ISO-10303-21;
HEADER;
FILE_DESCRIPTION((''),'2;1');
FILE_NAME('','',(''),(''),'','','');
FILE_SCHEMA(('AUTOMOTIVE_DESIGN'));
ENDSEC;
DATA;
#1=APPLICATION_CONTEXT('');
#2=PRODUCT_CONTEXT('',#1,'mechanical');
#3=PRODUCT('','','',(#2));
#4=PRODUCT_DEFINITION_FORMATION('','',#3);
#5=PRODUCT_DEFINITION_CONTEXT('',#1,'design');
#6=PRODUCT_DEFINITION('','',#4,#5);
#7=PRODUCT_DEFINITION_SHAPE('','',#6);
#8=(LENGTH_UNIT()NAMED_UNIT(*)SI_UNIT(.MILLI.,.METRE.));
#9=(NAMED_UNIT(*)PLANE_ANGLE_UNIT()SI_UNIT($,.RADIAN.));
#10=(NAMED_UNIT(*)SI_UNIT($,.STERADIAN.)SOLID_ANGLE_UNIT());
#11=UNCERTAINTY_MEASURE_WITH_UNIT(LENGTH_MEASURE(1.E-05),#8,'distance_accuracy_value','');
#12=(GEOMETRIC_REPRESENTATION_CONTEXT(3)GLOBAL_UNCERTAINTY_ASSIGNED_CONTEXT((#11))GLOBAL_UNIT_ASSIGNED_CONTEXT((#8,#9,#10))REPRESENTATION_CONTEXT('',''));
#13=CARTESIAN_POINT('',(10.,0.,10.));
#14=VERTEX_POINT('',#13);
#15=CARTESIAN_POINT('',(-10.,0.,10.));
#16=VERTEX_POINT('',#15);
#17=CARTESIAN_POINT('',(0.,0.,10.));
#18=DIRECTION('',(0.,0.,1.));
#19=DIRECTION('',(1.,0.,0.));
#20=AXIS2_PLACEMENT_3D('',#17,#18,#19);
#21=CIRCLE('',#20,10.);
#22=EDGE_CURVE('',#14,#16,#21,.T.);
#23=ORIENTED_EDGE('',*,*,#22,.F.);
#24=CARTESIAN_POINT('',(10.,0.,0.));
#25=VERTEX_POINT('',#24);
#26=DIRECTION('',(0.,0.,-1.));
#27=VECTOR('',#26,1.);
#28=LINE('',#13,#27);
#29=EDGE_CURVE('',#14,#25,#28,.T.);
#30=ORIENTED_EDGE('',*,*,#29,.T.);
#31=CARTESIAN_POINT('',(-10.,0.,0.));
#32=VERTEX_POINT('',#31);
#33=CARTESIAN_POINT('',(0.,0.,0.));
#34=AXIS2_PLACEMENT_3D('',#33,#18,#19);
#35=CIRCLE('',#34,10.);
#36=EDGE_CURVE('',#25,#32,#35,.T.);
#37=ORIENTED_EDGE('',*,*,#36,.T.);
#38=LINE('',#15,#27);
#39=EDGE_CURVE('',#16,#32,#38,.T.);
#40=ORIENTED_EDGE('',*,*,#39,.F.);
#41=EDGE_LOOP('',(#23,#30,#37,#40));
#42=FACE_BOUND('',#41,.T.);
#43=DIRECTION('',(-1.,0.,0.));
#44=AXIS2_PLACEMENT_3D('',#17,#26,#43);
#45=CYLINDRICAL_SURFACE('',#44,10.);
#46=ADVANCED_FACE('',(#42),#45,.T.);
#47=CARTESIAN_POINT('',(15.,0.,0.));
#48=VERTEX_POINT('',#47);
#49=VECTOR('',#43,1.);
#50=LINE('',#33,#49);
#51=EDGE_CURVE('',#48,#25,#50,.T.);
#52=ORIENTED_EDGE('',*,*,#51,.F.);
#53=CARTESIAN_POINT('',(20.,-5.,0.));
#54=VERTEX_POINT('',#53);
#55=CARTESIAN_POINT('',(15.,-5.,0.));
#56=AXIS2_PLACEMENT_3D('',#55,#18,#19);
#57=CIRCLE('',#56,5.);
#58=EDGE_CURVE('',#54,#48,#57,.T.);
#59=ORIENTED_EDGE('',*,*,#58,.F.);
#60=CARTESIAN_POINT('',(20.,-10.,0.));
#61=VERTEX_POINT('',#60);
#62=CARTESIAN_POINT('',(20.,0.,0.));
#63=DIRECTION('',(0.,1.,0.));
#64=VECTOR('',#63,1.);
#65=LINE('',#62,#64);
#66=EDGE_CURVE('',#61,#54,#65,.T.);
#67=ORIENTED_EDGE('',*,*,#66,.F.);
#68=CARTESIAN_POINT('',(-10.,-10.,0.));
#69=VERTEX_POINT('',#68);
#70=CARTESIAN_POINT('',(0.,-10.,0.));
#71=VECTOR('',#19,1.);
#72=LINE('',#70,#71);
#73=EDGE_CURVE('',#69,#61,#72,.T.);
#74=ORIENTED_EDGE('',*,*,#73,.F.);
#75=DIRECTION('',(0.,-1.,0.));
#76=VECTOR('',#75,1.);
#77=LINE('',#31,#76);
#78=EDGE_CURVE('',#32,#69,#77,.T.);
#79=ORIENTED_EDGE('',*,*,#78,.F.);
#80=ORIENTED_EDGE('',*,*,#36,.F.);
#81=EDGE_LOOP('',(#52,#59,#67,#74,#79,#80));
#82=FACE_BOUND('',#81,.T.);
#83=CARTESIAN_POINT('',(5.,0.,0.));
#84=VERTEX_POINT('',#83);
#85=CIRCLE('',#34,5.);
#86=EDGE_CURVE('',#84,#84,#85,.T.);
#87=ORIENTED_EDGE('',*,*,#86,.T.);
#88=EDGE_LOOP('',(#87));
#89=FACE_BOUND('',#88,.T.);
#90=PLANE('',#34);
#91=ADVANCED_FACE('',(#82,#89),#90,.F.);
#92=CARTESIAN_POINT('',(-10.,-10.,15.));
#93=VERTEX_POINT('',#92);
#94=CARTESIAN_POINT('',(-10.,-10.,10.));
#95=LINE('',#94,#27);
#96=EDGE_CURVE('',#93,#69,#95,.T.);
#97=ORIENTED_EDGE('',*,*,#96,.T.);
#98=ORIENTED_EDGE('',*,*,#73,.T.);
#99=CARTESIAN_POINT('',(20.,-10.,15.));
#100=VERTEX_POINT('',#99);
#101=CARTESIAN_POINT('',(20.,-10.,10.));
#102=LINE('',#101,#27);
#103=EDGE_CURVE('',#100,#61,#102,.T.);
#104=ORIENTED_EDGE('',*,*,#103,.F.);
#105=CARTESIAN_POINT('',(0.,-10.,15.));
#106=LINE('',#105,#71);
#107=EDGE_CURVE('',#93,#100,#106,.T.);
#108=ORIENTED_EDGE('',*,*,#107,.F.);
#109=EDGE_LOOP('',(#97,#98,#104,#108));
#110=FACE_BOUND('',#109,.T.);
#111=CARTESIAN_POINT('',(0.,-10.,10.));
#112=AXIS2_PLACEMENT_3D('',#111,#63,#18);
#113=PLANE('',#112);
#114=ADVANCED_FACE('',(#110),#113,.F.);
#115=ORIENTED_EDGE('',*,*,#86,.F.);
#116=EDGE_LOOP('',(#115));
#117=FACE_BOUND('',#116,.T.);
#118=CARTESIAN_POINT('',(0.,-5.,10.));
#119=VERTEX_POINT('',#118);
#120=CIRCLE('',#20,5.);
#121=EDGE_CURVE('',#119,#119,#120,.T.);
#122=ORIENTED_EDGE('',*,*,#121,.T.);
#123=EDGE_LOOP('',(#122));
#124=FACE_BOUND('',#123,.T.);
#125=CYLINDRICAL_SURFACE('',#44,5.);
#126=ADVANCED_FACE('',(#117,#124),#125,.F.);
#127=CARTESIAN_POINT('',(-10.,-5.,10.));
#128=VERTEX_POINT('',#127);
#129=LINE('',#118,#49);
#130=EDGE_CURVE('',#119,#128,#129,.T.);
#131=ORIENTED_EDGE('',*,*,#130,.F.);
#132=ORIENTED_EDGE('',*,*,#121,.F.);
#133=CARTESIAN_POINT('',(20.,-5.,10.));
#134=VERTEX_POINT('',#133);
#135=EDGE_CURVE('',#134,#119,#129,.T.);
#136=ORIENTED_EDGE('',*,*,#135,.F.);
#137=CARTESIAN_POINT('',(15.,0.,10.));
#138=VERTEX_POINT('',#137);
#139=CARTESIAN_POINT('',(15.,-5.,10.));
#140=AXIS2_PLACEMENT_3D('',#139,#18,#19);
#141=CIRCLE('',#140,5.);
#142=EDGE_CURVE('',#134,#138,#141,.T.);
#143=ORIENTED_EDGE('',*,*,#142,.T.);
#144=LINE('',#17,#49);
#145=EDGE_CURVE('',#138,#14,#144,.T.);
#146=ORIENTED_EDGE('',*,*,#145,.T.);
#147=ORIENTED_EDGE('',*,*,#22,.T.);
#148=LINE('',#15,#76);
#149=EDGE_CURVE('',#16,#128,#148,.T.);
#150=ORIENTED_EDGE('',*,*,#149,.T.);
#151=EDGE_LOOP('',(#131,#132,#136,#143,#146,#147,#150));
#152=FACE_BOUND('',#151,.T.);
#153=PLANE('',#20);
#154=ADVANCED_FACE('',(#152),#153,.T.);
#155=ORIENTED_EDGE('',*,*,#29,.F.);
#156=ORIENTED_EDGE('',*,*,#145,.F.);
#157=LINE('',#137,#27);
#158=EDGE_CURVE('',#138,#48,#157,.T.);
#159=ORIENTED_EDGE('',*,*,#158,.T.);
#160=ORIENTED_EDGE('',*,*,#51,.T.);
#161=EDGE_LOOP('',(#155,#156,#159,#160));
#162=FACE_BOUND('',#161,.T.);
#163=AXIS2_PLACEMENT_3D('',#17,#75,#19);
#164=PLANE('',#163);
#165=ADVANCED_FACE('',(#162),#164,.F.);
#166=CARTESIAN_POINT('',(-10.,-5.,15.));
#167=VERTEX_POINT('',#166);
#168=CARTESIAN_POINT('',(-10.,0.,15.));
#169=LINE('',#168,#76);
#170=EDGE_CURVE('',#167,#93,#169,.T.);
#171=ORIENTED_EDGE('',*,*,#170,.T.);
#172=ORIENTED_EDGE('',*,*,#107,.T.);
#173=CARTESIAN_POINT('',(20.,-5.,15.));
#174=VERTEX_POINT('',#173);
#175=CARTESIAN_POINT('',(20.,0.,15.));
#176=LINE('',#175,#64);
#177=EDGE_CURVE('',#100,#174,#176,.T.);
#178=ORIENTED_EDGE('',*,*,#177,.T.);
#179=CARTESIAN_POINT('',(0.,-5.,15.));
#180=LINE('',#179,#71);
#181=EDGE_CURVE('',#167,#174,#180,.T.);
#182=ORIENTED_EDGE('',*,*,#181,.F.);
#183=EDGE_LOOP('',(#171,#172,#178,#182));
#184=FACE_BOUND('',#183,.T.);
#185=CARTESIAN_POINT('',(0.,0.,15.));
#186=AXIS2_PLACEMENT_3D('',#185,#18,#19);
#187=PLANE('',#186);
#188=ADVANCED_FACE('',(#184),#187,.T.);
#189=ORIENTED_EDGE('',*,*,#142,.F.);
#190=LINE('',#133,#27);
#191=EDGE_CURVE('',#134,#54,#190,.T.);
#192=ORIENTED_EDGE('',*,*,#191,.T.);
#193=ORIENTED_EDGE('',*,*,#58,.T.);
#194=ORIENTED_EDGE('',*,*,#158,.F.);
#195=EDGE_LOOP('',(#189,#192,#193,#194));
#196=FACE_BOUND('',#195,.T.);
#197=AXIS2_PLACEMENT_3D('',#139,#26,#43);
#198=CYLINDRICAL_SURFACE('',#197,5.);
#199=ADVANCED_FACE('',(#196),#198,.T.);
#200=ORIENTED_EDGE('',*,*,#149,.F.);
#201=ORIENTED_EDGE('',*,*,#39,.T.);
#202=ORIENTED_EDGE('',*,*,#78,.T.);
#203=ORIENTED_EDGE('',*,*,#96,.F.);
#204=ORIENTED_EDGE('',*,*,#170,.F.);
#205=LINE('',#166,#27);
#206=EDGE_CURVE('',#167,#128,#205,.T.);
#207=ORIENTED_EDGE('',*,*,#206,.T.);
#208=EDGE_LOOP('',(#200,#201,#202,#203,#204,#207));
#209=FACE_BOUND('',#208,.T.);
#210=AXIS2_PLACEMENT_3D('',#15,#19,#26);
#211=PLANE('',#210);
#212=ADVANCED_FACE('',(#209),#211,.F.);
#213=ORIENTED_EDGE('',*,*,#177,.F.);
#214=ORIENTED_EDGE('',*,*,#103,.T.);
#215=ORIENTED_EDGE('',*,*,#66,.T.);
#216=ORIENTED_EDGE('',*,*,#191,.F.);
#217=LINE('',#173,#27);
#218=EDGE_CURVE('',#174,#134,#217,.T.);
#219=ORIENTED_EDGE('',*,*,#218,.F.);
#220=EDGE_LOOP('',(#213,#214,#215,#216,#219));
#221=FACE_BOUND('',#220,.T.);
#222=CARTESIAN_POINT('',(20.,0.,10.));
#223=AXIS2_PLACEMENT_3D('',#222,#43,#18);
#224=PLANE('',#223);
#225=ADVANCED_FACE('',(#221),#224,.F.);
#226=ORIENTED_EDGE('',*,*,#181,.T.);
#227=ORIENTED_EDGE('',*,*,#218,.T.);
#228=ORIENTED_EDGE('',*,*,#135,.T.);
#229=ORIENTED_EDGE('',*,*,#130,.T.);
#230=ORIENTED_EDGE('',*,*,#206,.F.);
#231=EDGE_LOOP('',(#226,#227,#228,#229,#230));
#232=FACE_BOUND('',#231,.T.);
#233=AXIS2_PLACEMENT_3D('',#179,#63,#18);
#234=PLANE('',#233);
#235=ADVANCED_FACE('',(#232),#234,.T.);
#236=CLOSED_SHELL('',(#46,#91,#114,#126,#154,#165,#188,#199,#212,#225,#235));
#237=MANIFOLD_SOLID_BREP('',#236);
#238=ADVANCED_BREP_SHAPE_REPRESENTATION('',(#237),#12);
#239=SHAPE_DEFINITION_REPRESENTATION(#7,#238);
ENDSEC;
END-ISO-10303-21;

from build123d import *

# Parameters (mm, degrees)
SKETCH_1_R      = 5
EXTRUDE_1_DEPTH = 10
EXTRUDE_2_DEPTH = 15


with BuildPart() as part:
    # 草圖1 → 填料-伸長1 (new body)
    with BuildSketch(Plane.XY):
        with BuildLine():
            Line((-10, 0), (-10, -10))
            Line((-10, -10), (20, -10))
            Line((20, -10), (20, -5))
            ThreePointArc((20, -5), (18.535533906, -1.464466094), (15, 0))
            Line((15, 0), (10, 0))
            ThreePointArc((10, 0), (0, 10), (-10, 0))
        make_face()
        Circle(SKETCH_1_R, mode=Mode.SUBTRACT)
    extrude(amount=EXTRUDE_1_DEPTH)

    # 草圖1<3> → 填料-伸長2 (add)
    with BuildSketch(Plane.XY):
        Polygon((0, -5), (-10, -5), (-10, -10), (20, -10), (20, -5), align=None)
    extrude(amount=EXTRUDE_2_DEPTH)


solid = part.part
